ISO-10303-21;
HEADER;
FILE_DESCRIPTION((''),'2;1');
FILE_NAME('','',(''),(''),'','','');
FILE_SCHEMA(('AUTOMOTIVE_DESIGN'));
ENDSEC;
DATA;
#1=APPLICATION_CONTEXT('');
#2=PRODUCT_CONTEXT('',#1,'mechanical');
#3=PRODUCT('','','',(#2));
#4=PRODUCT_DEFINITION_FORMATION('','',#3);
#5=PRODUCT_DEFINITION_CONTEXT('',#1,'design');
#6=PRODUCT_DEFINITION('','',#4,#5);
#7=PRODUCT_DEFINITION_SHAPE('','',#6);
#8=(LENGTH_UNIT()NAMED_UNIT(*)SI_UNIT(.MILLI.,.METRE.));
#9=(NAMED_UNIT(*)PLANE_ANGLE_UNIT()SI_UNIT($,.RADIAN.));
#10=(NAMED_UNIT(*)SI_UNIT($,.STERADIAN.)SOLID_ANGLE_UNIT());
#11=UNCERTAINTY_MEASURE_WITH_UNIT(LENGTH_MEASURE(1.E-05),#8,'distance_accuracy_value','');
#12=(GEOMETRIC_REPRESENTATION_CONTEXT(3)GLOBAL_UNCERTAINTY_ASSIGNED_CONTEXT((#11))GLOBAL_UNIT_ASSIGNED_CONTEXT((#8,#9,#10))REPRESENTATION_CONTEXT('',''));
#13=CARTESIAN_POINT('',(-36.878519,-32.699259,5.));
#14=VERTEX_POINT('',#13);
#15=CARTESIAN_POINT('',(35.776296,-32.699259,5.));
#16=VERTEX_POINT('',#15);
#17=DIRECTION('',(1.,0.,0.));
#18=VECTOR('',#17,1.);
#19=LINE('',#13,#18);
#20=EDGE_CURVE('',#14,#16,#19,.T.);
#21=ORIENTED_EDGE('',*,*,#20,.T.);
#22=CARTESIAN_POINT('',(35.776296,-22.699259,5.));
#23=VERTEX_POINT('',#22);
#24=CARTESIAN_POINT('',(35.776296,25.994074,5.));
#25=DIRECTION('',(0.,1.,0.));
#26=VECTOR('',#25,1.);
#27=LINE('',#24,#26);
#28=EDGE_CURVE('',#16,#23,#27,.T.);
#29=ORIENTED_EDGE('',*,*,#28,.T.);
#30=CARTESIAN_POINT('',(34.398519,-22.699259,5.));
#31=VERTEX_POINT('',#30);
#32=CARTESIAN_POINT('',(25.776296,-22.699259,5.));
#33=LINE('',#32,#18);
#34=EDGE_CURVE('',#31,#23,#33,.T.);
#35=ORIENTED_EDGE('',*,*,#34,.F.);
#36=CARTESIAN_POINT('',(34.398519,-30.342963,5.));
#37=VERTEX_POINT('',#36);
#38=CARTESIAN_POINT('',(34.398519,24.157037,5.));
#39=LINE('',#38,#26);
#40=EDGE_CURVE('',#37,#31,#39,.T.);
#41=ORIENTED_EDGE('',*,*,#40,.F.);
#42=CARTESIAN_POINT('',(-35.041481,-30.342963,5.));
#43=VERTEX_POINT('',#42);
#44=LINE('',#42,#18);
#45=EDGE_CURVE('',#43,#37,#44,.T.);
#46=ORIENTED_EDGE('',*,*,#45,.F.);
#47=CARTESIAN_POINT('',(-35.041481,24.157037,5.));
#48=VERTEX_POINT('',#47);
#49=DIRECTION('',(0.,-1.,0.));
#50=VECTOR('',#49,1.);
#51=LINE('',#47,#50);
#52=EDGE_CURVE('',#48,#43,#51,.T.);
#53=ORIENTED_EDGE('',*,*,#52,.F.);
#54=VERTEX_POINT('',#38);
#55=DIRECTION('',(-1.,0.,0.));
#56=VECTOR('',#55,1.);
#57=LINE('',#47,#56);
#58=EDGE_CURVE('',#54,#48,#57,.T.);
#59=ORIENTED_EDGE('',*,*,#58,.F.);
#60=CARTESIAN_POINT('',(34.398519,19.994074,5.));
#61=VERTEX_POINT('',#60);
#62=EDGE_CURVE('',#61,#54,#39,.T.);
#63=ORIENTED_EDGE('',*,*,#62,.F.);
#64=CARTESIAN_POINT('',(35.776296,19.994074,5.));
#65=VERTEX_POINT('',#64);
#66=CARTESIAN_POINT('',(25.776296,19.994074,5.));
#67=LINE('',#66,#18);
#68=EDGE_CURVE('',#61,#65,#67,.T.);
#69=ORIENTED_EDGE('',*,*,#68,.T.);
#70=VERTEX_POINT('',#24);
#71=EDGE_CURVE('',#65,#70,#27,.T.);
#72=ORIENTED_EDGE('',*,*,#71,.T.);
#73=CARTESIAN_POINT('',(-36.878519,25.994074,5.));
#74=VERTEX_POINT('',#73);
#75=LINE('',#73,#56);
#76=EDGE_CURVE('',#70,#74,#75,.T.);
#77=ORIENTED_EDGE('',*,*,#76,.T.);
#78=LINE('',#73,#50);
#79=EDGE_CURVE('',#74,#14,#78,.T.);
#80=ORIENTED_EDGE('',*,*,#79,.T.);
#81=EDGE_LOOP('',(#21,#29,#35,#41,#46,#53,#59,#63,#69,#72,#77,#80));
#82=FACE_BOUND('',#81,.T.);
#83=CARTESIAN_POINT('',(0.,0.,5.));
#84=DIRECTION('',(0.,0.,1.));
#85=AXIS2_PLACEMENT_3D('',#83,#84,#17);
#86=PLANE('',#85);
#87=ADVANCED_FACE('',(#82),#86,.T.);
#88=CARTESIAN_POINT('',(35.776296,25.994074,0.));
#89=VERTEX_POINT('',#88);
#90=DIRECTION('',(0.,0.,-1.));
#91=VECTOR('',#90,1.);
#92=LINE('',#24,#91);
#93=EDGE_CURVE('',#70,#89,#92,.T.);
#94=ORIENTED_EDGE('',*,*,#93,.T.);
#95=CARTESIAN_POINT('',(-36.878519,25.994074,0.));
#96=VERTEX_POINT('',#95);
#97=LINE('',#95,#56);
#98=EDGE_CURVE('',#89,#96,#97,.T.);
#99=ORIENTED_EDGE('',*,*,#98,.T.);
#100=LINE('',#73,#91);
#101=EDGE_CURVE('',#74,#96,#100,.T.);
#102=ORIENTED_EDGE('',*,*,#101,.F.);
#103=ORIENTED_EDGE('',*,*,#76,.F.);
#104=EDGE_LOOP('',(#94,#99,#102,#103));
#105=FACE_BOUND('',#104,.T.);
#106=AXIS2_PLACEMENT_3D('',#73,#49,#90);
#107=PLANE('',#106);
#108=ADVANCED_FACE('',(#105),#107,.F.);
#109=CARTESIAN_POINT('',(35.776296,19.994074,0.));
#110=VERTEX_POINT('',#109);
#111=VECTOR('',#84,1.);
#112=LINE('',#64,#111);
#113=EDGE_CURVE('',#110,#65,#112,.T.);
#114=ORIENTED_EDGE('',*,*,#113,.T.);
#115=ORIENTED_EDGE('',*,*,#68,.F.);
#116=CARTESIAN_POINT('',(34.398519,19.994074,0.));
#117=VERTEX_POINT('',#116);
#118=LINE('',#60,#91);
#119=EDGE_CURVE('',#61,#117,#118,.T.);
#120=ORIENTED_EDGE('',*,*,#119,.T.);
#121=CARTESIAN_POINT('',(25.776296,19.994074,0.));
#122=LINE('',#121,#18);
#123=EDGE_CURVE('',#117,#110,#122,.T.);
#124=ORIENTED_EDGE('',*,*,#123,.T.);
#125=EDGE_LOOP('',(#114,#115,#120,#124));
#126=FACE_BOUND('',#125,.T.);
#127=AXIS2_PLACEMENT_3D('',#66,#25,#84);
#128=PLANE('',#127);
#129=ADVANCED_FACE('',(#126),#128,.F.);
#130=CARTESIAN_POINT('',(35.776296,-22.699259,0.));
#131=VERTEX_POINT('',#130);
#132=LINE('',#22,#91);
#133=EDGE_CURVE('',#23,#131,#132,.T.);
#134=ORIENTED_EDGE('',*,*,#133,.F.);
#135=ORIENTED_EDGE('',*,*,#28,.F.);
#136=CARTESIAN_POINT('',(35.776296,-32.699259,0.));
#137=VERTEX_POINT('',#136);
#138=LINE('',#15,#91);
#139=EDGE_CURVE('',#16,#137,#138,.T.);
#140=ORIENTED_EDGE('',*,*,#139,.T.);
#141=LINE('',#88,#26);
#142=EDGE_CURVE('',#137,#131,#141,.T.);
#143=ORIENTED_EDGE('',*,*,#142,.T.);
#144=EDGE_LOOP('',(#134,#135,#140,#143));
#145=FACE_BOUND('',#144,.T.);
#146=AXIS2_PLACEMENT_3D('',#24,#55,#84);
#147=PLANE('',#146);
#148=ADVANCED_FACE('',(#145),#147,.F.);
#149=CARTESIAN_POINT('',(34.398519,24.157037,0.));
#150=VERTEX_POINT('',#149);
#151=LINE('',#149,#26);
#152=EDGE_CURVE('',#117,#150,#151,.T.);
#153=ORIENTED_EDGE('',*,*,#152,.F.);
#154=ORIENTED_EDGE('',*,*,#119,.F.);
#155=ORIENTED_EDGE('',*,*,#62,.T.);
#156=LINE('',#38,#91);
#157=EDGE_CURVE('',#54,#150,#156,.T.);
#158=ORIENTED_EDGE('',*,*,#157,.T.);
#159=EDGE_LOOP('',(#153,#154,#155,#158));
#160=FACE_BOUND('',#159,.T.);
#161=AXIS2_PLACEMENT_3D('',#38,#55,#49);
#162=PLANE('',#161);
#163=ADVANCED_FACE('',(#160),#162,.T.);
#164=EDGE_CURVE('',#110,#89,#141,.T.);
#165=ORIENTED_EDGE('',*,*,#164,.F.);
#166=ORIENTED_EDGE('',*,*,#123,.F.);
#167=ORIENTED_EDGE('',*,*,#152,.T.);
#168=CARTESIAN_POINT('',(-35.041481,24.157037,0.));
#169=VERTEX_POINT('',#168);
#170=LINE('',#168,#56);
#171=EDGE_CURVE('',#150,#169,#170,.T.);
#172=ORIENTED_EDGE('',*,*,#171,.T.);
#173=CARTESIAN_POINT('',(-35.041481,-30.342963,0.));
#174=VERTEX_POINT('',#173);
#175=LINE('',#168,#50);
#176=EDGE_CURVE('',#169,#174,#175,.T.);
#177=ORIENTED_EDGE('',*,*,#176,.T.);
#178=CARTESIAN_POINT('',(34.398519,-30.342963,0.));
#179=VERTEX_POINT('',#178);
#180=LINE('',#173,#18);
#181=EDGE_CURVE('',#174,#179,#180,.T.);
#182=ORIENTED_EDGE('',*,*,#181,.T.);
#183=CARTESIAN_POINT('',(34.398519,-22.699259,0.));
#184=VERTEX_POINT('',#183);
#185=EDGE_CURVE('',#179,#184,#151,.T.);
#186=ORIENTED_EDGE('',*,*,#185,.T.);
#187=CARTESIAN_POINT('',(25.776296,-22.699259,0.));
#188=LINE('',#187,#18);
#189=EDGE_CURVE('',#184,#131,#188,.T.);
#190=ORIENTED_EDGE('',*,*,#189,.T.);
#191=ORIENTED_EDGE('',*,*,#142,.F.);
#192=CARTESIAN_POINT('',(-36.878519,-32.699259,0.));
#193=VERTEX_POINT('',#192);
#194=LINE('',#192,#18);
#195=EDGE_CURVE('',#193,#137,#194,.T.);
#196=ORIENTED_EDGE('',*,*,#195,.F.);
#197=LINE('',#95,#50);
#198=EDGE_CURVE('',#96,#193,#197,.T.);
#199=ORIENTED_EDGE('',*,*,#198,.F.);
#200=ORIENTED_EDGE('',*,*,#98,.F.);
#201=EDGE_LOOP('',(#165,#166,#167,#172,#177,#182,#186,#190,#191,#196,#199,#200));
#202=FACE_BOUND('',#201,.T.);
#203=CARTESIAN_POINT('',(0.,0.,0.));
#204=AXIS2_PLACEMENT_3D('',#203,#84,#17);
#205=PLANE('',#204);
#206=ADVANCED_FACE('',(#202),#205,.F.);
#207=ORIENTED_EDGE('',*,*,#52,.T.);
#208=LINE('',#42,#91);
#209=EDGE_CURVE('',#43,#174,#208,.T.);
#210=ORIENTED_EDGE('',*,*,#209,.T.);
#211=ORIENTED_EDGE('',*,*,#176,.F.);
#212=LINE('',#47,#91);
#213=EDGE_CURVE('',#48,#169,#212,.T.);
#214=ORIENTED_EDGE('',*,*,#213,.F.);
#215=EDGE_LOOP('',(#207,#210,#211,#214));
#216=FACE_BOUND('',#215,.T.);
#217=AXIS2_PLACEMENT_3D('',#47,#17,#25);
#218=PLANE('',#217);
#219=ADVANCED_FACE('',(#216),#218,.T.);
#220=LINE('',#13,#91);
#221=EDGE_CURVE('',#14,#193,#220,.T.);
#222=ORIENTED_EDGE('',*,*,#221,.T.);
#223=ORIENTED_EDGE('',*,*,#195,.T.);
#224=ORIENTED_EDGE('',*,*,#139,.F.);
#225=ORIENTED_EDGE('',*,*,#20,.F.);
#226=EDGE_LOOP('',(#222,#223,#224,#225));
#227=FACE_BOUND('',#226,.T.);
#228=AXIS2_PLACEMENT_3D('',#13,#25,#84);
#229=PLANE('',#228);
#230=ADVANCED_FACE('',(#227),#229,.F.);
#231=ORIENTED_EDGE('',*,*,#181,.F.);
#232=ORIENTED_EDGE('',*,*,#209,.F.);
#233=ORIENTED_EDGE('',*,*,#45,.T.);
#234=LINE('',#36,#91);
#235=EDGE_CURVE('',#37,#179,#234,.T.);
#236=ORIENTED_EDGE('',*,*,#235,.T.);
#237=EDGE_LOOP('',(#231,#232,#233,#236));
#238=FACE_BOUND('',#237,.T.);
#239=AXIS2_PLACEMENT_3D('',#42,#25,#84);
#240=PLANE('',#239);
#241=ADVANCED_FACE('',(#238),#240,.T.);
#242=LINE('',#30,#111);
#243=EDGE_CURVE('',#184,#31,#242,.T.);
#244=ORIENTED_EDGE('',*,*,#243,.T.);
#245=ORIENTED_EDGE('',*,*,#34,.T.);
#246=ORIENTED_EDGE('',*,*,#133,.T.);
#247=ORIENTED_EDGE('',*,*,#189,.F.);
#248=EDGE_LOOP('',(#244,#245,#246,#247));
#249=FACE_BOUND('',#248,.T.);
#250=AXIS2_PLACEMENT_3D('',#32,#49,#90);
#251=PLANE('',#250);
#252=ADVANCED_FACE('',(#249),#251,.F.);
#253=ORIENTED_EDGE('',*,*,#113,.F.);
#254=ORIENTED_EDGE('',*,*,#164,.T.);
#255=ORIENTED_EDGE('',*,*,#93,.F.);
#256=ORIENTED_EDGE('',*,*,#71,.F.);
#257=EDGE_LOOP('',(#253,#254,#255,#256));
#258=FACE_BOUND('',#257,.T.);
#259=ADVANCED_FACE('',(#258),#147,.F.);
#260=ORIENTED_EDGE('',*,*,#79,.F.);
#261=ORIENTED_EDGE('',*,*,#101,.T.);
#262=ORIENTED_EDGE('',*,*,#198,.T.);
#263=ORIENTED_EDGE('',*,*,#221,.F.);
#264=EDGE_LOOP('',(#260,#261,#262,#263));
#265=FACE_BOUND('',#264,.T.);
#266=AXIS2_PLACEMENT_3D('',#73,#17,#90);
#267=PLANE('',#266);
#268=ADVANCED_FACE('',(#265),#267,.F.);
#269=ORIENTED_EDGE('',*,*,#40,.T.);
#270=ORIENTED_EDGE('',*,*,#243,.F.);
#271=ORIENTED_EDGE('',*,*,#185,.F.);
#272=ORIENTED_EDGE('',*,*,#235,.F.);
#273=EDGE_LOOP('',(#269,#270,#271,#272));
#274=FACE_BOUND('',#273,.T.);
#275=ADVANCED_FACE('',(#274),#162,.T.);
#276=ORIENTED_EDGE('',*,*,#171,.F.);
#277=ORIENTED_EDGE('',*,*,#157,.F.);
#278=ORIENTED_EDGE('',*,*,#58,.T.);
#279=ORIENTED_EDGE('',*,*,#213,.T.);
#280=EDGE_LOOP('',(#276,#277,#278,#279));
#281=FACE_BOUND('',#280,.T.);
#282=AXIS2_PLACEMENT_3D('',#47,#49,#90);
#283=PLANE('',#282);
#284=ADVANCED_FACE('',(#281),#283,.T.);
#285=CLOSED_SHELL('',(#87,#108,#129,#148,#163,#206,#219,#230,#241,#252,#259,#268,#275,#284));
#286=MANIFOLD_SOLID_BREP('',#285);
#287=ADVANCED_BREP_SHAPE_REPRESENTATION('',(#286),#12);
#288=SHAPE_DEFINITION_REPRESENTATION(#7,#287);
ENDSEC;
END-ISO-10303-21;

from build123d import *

# Parameters (mm, degrees)
SKETCH2_W           = 72.654814815
SKETCH2_H           = 58.693333333
SKETCH2_W_2         = 69.44
SKETCH2_H_2         = 54.5
BOSS_EXTRUDE1_DEPTH = 5
SKETCH3_W           = 5
SKETCH3_H           = 10
CUT_EXTRUDE1_DEPTH  = 10
CUT_EXTRUDE4_DEPTH  = 10


with BuildPart() as part:
    # Sketch2 → Boss-Extrude1 (new body)
    with BuildSketch(Plane.XY):
        with Locations((-0.551111111, -3.352592593)):
            Rectangle(SKETCH2_W, SKETCH2_H)
        with Locations((-0.321481481, -3.092962963)):
            Rectangle(SKETCH2_W_2, SKETCH2_H_2, mode=Mode.SUBTRACT)
    extrude(amount=BOSS_EXTRUDE1_DEPTH)

    # Sketch3 → Cut-Extrude1 (cut)
    with BuildSketch(Plane(origin=(35.776296296, 0, 0), x_dir=(0, 0, -1), z_dir=(1, 0, 0))):
        with Locations((-2.5, 14.994074074)):
            Rectangle(SKETCH3_W, SKETCH3_H)
    extrude(amount=-CUT_EXTRUDE1_DEPTH, mode=Mode.SUBTRACT)

    # Sketch4 → Cut-Extrude4 (cut)
    with BuildSketch(Plane(origin=(35.776296296, 0, 0), x_dir=(0, 0, -1), z_dir=(1, 0, 0))):
        Polygon((-5, -10.699259259), (-5, -22.699259259), (0, -22.699259259), (0, -10.699259259), (0, 9.994074074), (-5, 9.994074074), align=None)
    extrude(amount=-CUT_EXTRUDE4_DEPTH, mode=Mode.SUBTRACT)


solid = part.part
